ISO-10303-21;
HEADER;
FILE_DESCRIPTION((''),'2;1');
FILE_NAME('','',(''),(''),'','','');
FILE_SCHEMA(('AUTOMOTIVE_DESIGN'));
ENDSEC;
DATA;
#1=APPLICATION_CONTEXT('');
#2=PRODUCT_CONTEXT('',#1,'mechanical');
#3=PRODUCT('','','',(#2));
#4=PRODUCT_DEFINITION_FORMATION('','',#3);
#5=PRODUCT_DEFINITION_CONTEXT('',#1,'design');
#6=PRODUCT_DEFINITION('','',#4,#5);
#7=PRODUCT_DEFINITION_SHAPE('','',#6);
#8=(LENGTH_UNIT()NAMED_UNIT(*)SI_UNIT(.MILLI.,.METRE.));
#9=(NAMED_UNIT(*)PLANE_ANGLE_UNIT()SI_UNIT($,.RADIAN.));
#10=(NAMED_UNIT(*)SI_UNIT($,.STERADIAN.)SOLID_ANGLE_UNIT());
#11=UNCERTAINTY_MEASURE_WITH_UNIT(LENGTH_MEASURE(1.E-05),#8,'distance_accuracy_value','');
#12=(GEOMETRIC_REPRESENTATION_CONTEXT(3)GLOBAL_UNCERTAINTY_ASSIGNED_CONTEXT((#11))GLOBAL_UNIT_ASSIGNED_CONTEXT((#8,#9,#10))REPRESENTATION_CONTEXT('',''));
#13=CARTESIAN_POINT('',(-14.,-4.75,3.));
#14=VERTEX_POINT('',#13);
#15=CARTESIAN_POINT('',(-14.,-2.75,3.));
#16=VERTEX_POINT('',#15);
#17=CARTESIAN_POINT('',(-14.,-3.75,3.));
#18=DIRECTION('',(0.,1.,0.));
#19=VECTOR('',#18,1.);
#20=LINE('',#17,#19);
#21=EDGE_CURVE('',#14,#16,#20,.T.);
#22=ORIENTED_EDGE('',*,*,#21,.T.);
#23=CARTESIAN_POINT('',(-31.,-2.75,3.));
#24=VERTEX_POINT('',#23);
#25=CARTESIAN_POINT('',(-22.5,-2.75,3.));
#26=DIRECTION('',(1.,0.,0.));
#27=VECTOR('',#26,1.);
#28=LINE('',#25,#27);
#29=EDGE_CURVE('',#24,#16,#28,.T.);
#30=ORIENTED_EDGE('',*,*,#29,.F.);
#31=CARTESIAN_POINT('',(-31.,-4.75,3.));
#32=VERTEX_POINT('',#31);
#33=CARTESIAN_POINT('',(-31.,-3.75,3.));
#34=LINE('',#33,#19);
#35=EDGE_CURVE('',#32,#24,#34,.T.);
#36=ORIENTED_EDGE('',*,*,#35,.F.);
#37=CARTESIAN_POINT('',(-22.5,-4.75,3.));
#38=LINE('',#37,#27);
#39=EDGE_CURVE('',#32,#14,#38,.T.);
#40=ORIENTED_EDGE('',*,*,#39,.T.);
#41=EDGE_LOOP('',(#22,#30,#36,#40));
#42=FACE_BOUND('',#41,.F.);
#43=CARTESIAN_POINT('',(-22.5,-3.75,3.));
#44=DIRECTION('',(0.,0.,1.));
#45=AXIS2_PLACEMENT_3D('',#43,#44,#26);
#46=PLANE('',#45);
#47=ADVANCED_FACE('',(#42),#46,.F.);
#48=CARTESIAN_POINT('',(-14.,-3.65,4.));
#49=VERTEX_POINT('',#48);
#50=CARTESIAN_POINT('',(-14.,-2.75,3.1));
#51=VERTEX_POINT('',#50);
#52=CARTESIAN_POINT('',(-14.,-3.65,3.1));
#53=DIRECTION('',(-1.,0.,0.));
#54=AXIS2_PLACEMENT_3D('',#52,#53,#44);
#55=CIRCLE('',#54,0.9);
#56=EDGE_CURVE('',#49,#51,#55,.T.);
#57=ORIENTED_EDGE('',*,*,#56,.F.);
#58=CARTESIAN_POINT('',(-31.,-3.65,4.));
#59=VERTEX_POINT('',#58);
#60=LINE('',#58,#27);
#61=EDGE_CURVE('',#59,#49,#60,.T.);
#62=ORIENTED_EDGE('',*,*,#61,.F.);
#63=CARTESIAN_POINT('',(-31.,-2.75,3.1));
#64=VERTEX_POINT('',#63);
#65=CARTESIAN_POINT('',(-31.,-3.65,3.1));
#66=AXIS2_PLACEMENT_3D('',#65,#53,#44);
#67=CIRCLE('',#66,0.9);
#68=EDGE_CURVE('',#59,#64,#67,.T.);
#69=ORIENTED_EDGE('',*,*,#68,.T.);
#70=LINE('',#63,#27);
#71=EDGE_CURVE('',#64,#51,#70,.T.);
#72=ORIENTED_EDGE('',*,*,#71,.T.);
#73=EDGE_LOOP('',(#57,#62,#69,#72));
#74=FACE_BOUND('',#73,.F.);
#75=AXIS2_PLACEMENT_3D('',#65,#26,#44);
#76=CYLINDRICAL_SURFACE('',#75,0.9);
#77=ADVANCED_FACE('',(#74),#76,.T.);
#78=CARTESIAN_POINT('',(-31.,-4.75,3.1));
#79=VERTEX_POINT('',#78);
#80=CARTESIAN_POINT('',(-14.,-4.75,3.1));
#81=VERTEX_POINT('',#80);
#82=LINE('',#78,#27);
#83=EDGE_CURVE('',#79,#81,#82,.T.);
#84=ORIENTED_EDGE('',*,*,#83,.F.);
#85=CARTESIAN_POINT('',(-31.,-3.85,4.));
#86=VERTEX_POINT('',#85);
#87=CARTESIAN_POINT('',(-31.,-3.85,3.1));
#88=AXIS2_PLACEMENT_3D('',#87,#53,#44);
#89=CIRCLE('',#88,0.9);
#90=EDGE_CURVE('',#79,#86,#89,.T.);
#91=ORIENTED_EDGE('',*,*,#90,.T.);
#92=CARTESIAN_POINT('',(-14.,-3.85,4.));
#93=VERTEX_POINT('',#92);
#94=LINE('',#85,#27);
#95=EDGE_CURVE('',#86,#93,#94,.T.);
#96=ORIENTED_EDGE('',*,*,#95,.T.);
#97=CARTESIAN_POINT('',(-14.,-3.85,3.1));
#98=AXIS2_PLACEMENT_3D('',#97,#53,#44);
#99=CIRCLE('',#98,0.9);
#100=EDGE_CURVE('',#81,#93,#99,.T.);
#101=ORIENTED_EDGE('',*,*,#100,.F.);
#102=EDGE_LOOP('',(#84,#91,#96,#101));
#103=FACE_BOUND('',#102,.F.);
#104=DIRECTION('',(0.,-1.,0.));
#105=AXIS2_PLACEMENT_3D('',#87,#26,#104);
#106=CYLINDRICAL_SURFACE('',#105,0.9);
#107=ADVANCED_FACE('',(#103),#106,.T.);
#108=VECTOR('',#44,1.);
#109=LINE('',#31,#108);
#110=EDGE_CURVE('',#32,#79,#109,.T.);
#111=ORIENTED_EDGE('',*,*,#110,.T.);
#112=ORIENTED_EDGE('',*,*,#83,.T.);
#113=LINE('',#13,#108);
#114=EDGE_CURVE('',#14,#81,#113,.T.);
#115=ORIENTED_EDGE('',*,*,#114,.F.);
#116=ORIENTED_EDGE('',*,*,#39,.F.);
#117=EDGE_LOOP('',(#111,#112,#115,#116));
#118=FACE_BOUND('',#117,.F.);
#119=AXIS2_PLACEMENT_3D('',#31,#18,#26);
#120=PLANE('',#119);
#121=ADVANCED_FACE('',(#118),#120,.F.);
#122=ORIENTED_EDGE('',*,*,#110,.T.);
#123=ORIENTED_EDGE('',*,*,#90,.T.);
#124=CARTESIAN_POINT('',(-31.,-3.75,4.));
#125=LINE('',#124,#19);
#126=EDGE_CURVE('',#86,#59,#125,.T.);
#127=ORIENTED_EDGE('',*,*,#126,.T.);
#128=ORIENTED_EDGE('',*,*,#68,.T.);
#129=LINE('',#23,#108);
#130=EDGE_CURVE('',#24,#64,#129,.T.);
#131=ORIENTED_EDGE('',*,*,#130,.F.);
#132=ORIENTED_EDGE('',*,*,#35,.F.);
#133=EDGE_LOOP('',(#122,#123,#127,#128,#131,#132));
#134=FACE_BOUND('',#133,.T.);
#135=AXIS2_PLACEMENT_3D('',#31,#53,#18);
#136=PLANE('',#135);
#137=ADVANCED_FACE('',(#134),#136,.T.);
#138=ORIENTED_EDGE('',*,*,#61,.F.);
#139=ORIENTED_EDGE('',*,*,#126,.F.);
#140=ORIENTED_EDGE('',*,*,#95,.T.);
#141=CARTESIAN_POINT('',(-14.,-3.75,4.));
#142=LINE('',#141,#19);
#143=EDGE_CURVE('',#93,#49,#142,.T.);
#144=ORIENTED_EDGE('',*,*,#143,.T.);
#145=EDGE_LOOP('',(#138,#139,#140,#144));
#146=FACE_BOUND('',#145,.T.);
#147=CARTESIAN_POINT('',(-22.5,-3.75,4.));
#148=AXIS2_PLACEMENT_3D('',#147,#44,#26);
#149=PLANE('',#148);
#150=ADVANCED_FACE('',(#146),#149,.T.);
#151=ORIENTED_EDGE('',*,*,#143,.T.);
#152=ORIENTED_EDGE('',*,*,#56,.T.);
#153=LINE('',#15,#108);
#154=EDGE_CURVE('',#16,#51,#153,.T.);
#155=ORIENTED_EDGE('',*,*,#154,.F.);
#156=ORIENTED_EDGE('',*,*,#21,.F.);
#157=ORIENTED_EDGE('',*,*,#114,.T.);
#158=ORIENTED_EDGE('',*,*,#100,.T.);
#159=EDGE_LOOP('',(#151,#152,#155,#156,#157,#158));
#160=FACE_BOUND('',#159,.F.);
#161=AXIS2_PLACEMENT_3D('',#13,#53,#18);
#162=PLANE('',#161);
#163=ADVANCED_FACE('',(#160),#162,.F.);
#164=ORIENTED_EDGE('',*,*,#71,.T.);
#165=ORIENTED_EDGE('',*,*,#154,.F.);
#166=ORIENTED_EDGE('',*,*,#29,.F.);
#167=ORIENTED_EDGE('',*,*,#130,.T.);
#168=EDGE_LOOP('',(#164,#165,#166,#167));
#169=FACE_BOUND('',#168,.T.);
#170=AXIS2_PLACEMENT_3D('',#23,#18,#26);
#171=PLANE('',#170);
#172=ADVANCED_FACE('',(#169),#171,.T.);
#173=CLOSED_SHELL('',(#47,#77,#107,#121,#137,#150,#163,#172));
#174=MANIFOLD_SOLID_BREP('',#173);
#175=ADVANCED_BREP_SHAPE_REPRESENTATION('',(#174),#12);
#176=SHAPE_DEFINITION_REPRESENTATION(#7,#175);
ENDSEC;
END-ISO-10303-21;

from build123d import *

# Parameters (mm, degrees)
BOX002_W     = 17
BOX002_H     = 2
BOX002_DEPTH = 1
FILLET_R     = 0.9
FILLET001_R  = 0.9


with BuildPart() as part:
    # Box002 → Box002 (new body)
    with BuildSketch(Plane(origin=(-31, -4.75, 3), x_dir=(1, 0, 0), z_dir=(0, 0, 1))):
        with Locations((8.5, 1)):
            Rectangle(BOX002_W, BOX002_H)
    extrude(amount=BOX002_DEPTH)

    # Fillet
    fillet_edges = [part.edges().sort_by_distance(p)[0] for p in [
        (-22.5, -4.75, 4),
    ]]
    fillet(fillet_edges, radius=FILLET_R)

    # Fillet001
    fillet001_edges = [part.edges().sort_by_distance(p)[0] for p in [
        (-22.5, -2.75, 4),
    ]]
    fillet(fillet001_edges, radius=FILLET001_R)


solid = part.part
